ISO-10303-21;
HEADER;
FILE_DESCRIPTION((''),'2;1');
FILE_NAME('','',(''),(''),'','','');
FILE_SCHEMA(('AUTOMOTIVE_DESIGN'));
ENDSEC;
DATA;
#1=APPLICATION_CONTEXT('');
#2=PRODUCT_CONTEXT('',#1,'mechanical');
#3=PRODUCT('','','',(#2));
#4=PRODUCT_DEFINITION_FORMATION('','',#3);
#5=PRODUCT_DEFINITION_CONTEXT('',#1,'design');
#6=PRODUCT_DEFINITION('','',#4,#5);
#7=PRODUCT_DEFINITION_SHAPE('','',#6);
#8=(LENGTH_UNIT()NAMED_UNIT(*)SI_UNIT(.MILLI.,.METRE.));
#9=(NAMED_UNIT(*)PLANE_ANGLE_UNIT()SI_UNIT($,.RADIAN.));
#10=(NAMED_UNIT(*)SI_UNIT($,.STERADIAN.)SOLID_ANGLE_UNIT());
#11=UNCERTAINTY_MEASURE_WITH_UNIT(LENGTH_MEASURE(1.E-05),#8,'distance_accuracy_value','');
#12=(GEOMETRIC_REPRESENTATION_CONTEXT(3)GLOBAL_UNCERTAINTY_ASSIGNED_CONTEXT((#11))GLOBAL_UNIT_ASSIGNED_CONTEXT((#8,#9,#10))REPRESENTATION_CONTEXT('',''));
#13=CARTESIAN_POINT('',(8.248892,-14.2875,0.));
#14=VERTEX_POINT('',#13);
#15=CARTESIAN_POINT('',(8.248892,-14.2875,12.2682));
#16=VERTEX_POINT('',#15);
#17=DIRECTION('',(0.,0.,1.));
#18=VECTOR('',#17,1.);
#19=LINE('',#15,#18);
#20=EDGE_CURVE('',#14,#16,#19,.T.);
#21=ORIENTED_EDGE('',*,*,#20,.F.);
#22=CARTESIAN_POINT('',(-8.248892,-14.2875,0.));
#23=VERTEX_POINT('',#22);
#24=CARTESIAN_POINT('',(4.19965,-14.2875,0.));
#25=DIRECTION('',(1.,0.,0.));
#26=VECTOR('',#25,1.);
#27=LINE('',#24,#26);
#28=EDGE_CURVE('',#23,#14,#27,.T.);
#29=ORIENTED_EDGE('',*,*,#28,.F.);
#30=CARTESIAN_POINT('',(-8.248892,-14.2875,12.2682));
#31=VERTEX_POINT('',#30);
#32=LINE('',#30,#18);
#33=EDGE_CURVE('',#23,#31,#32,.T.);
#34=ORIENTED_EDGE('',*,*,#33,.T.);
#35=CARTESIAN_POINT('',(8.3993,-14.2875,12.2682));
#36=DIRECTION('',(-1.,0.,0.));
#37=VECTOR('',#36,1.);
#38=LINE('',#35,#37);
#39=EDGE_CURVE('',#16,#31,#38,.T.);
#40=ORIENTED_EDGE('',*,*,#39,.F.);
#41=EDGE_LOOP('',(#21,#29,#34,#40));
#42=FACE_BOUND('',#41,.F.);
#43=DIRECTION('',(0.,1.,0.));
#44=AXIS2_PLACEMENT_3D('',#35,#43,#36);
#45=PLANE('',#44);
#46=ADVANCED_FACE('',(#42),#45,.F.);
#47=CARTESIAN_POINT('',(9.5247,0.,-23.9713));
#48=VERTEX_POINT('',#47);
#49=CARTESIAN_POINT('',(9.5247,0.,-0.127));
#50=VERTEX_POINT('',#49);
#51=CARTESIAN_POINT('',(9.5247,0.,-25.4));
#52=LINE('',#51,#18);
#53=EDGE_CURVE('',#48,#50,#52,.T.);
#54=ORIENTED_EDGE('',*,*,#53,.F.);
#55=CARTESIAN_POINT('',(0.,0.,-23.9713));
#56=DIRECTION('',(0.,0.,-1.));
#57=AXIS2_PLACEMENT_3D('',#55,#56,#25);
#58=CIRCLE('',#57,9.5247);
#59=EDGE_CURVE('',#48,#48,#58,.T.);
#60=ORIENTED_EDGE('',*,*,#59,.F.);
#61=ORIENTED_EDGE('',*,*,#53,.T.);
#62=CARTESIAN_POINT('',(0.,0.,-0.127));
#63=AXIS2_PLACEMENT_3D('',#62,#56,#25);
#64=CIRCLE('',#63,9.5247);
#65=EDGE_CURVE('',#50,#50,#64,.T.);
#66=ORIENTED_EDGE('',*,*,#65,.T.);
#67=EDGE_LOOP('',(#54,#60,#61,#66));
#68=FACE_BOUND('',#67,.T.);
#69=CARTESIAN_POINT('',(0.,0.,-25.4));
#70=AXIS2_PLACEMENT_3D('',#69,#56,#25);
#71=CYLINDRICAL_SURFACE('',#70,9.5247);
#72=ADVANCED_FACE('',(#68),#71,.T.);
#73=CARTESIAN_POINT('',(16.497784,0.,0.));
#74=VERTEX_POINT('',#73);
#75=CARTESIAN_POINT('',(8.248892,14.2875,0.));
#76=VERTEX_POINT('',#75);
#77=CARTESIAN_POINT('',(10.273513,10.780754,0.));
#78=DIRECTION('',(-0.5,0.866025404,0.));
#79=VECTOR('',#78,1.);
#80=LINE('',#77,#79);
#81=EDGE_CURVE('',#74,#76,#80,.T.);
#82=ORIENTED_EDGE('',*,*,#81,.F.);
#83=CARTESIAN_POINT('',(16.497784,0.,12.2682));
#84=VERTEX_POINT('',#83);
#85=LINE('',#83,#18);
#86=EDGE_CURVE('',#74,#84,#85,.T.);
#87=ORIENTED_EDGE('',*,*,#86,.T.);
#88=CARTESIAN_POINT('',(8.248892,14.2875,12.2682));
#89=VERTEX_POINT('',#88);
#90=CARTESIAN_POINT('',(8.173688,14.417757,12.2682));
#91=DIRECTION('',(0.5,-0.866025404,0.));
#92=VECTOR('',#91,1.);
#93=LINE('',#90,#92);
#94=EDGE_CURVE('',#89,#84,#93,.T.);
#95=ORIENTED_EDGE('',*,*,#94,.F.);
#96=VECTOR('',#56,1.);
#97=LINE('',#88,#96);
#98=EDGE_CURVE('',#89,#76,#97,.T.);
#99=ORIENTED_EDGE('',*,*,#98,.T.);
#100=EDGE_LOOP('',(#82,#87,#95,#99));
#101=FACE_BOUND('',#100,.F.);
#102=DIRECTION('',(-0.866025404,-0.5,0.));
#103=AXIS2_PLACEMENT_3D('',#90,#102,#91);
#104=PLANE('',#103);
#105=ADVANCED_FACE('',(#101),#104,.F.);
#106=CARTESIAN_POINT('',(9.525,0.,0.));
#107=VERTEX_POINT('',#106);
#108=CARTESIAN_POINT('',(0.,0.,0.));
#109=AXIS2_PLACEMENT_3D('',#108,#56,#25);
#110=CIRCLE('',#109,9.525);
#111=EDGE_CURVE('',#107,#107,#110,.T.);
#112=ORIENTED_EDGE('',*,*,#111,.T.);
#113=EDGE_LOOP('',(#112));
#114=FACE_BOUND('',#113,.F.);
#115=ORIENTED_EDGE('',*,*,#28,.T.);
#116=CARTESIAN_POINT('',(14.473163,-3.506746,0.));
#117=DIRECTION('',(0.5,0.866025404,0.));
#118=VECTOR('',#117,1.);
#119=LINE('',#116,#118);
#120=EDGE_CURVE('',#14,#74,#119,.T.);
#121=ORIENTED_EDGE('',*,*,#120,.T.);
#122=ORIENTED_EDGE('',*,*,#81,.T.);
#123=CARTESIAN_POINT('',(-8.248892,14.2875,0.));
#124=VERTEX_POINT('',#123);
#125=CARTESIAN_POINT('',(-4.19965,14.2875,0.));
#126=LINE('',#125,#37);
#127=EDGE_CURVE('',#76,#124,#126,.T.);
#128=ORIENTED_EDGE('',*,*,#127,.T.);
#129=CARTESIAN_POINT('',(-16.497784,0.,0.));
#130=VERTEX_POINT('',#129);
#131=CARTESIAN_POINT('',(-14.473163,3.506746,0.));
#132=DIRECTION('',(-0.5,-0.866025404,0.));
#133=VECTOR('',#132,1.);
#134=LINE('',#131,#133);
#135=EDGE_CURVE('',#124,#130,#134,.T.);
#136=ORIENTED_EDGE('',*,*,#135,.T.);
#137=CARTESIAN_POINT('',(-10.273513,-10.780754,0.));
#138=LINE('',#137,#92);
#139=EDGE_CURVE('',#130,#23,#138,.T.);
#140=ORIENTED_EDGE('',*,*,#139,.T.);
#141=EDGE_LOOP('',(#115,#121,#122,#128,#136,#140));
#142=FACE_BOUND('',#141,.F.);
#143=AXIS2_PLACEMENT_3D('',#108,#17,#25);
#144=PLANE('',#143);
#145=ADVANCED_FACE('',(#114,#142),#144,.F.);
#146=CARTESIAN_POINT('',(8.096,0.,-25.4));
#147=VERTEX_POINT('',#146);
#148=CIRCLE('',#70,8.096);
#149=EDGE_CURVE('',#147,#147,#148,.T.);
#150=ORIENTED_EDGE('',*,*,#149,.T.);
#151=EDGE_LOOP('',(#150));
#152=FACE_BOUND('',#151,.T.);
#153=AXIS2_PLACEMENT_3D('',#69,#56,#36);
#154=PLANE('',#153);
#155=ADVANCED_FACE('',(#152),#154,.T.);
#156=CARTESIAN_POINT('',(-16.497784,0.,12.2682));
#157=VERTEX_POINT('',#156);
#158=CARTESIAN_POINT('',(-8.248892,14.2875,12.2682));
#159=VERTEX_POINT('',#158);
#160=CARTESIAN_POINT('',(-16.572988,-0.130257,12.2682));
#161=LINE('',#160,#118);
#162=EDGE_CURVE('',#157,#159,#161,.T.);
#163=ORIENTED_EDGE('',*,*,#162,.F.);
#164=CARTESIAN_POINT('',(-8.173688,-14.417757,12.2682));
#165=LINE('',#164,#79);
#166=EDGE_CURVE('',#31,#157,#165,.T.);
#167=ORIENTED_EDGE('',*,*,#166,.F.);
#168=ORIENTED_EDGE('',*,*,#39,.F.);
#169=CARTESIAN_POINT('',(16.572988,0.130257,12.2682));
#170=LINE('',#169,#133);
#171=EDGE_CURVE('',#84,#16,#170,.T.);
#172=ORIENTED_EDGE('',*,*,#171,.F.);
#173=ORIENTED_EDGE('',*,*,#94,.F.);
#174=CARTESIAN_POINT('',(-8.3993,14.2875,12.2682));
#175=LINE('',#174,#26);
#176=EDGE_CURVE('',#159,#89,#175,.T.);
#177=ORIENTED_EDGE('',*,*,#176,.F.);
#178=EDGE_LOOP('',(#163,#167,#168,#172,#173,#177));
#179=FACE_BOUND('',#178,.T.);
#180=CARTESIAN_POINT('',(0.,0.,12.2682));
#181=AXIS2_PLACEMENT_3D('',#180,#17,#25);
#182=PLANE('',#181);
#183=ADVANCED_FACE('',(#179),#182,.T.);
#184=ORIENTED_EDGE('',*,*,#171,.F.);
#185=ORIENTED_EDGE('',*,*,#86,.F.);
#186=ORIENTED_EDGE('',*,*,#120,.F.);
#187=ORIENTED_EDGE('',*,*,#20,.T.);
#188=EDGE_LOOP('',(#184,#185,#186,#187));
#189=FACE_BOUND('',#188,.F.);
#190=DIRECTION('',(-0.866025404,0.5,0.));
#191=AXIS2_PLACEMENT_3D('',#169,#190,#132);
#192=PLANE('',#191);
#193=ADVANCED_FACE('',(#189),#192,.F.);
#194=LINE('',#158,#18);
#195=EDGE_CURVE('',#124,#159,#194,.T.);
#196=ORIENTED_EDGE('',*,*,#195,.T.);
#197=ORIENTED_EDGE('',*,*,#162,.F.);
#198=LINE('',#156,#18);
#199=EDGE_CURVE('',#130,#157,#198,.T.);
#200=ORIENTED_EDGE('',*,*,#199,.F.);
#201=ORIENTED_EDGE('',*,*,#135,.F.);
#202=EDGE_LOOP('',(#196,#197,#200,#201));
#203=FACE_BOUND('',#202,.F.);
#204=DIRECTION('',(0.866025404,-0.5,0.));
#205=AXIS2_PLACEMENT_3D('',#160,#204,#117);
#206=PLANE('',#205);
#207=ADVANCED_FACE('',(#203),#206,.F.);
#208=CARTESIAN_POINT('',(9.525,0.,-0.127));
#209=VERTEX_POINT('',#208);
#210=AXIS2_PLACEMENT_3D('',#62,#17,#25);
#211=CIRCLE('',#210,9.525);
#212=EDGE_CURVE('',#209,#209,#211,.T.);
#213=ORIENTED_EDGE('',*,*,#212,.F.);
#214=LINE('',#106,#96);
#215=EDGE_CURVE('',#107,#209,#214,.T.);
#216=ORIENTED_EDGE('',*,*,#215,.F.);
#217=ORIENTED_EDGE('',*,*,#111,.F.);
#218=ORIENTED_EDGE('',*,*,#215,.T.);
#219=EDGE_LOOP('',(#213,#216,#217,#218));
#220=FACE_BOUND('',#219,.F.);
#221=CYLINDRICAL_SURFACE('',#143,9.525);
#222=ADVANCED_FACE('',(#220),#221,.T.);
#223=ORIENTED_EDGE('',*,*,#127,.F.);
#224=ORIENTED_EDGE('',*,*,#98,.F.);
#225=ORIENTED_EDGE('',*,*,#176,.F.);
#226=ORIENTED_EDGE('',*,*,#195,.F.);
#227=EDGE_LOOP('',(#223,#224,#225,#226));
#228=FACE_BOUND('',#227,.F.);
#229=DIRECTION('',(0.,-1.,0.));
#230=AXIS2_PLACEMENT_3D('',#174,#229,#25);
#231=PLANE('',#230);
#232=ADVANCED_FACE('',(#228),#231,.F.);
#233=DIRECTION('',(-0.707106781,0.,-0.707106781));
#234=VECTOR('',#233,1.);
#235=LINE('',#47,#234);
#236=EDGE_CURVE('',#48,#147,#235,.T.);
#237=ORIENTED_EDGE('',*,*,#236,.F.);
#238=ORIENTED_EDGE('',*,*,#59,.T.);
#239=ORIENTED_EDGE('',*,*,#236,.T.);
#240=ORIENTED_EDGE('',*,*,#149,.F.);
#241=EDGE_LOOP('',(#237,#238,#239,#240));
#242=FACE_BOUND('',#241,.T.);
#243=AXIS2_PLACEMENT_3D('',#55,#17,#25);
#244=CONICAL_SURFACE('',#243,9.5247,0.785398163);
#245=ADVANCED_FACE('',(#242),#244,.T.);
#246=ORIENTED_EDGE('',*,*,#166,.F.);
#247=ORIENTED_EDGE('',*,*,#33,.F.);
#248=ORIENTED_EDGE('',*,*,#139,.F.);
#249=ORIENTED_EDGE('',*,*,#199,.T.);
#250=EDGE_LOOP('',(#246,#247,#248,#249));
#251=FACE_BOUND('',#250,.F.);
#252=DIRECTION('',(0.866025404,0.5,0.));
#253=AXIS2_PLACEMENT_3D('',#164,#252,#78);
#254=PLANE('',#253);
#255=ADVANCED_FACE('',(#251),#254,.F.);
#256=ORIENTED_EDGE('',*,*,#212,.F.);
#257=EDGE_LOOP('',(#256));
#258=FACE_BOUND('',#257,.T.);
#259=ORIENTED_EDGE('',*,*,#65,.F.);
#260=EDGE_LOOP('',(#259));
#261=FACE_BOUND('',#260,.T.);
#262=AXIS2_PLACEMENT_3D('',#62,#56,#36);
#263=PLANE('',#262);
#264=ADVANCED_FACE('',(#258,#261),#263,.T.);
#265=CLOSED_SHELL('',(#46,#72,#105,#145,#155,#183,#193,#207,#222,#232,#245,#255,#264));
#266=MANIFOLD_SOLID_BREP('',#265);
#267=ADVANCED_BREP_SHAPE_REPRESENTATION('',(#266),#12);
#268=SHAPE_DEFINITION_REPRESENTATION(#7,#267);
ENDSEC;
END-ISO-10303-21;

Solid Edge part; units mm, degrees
sketch "Sketch1" plane through (0, 0, 0) normal (0, 0, 1) x (1, 0, 0)
  circle A0 centre (0, 0) radius 16.5735
  dimension "D1" = 33.147
extrude "Protrusion1" add sketch "Sketch1" along normal blind 12.2682
sketch "Sketch2" plane through (0, 0, 0) normal (0, 0, -1) x (1, 0, 0)
  circle A0 centre (0, 0) radius 9.525
extrude "Protrusion2" add sketch "Sketch2" along normal blind 25.4
sketch "Sketch3" plane through (0, 0, -25.4) normal (0, 0, -1) x (1, 0, 0)
  circle A0 centre (0, 0) radius 9.5247
extrude "Cutout1" cut sketch "Sketch3" against normal blind 25.273 flip side to cut
chamfer "Chamfer_1" distance 1.4287 angle 45 1 edges at (-9.5247, 0, -25.4)
sketch "Sketch4" plane through (0, 0, 12.2682) normal (0, 0, 1) x (1, 0, 0)
  line L0 (-8.3993, 14.2875) -> (8.3993, 14.2875)
  dimension "D1" = 28.575
extrude "Cutout2" cut sketch "Sketch4" against normal up to next material side at (0, 14.3375, 12.2682)
pattern_circular "Pattern1" count 6 over 360 about axis through (0, 0, 12.2682) along (0, 0, 1) of "Cutout2"
properties part number "185528" material "Stainless Steel, 304"
